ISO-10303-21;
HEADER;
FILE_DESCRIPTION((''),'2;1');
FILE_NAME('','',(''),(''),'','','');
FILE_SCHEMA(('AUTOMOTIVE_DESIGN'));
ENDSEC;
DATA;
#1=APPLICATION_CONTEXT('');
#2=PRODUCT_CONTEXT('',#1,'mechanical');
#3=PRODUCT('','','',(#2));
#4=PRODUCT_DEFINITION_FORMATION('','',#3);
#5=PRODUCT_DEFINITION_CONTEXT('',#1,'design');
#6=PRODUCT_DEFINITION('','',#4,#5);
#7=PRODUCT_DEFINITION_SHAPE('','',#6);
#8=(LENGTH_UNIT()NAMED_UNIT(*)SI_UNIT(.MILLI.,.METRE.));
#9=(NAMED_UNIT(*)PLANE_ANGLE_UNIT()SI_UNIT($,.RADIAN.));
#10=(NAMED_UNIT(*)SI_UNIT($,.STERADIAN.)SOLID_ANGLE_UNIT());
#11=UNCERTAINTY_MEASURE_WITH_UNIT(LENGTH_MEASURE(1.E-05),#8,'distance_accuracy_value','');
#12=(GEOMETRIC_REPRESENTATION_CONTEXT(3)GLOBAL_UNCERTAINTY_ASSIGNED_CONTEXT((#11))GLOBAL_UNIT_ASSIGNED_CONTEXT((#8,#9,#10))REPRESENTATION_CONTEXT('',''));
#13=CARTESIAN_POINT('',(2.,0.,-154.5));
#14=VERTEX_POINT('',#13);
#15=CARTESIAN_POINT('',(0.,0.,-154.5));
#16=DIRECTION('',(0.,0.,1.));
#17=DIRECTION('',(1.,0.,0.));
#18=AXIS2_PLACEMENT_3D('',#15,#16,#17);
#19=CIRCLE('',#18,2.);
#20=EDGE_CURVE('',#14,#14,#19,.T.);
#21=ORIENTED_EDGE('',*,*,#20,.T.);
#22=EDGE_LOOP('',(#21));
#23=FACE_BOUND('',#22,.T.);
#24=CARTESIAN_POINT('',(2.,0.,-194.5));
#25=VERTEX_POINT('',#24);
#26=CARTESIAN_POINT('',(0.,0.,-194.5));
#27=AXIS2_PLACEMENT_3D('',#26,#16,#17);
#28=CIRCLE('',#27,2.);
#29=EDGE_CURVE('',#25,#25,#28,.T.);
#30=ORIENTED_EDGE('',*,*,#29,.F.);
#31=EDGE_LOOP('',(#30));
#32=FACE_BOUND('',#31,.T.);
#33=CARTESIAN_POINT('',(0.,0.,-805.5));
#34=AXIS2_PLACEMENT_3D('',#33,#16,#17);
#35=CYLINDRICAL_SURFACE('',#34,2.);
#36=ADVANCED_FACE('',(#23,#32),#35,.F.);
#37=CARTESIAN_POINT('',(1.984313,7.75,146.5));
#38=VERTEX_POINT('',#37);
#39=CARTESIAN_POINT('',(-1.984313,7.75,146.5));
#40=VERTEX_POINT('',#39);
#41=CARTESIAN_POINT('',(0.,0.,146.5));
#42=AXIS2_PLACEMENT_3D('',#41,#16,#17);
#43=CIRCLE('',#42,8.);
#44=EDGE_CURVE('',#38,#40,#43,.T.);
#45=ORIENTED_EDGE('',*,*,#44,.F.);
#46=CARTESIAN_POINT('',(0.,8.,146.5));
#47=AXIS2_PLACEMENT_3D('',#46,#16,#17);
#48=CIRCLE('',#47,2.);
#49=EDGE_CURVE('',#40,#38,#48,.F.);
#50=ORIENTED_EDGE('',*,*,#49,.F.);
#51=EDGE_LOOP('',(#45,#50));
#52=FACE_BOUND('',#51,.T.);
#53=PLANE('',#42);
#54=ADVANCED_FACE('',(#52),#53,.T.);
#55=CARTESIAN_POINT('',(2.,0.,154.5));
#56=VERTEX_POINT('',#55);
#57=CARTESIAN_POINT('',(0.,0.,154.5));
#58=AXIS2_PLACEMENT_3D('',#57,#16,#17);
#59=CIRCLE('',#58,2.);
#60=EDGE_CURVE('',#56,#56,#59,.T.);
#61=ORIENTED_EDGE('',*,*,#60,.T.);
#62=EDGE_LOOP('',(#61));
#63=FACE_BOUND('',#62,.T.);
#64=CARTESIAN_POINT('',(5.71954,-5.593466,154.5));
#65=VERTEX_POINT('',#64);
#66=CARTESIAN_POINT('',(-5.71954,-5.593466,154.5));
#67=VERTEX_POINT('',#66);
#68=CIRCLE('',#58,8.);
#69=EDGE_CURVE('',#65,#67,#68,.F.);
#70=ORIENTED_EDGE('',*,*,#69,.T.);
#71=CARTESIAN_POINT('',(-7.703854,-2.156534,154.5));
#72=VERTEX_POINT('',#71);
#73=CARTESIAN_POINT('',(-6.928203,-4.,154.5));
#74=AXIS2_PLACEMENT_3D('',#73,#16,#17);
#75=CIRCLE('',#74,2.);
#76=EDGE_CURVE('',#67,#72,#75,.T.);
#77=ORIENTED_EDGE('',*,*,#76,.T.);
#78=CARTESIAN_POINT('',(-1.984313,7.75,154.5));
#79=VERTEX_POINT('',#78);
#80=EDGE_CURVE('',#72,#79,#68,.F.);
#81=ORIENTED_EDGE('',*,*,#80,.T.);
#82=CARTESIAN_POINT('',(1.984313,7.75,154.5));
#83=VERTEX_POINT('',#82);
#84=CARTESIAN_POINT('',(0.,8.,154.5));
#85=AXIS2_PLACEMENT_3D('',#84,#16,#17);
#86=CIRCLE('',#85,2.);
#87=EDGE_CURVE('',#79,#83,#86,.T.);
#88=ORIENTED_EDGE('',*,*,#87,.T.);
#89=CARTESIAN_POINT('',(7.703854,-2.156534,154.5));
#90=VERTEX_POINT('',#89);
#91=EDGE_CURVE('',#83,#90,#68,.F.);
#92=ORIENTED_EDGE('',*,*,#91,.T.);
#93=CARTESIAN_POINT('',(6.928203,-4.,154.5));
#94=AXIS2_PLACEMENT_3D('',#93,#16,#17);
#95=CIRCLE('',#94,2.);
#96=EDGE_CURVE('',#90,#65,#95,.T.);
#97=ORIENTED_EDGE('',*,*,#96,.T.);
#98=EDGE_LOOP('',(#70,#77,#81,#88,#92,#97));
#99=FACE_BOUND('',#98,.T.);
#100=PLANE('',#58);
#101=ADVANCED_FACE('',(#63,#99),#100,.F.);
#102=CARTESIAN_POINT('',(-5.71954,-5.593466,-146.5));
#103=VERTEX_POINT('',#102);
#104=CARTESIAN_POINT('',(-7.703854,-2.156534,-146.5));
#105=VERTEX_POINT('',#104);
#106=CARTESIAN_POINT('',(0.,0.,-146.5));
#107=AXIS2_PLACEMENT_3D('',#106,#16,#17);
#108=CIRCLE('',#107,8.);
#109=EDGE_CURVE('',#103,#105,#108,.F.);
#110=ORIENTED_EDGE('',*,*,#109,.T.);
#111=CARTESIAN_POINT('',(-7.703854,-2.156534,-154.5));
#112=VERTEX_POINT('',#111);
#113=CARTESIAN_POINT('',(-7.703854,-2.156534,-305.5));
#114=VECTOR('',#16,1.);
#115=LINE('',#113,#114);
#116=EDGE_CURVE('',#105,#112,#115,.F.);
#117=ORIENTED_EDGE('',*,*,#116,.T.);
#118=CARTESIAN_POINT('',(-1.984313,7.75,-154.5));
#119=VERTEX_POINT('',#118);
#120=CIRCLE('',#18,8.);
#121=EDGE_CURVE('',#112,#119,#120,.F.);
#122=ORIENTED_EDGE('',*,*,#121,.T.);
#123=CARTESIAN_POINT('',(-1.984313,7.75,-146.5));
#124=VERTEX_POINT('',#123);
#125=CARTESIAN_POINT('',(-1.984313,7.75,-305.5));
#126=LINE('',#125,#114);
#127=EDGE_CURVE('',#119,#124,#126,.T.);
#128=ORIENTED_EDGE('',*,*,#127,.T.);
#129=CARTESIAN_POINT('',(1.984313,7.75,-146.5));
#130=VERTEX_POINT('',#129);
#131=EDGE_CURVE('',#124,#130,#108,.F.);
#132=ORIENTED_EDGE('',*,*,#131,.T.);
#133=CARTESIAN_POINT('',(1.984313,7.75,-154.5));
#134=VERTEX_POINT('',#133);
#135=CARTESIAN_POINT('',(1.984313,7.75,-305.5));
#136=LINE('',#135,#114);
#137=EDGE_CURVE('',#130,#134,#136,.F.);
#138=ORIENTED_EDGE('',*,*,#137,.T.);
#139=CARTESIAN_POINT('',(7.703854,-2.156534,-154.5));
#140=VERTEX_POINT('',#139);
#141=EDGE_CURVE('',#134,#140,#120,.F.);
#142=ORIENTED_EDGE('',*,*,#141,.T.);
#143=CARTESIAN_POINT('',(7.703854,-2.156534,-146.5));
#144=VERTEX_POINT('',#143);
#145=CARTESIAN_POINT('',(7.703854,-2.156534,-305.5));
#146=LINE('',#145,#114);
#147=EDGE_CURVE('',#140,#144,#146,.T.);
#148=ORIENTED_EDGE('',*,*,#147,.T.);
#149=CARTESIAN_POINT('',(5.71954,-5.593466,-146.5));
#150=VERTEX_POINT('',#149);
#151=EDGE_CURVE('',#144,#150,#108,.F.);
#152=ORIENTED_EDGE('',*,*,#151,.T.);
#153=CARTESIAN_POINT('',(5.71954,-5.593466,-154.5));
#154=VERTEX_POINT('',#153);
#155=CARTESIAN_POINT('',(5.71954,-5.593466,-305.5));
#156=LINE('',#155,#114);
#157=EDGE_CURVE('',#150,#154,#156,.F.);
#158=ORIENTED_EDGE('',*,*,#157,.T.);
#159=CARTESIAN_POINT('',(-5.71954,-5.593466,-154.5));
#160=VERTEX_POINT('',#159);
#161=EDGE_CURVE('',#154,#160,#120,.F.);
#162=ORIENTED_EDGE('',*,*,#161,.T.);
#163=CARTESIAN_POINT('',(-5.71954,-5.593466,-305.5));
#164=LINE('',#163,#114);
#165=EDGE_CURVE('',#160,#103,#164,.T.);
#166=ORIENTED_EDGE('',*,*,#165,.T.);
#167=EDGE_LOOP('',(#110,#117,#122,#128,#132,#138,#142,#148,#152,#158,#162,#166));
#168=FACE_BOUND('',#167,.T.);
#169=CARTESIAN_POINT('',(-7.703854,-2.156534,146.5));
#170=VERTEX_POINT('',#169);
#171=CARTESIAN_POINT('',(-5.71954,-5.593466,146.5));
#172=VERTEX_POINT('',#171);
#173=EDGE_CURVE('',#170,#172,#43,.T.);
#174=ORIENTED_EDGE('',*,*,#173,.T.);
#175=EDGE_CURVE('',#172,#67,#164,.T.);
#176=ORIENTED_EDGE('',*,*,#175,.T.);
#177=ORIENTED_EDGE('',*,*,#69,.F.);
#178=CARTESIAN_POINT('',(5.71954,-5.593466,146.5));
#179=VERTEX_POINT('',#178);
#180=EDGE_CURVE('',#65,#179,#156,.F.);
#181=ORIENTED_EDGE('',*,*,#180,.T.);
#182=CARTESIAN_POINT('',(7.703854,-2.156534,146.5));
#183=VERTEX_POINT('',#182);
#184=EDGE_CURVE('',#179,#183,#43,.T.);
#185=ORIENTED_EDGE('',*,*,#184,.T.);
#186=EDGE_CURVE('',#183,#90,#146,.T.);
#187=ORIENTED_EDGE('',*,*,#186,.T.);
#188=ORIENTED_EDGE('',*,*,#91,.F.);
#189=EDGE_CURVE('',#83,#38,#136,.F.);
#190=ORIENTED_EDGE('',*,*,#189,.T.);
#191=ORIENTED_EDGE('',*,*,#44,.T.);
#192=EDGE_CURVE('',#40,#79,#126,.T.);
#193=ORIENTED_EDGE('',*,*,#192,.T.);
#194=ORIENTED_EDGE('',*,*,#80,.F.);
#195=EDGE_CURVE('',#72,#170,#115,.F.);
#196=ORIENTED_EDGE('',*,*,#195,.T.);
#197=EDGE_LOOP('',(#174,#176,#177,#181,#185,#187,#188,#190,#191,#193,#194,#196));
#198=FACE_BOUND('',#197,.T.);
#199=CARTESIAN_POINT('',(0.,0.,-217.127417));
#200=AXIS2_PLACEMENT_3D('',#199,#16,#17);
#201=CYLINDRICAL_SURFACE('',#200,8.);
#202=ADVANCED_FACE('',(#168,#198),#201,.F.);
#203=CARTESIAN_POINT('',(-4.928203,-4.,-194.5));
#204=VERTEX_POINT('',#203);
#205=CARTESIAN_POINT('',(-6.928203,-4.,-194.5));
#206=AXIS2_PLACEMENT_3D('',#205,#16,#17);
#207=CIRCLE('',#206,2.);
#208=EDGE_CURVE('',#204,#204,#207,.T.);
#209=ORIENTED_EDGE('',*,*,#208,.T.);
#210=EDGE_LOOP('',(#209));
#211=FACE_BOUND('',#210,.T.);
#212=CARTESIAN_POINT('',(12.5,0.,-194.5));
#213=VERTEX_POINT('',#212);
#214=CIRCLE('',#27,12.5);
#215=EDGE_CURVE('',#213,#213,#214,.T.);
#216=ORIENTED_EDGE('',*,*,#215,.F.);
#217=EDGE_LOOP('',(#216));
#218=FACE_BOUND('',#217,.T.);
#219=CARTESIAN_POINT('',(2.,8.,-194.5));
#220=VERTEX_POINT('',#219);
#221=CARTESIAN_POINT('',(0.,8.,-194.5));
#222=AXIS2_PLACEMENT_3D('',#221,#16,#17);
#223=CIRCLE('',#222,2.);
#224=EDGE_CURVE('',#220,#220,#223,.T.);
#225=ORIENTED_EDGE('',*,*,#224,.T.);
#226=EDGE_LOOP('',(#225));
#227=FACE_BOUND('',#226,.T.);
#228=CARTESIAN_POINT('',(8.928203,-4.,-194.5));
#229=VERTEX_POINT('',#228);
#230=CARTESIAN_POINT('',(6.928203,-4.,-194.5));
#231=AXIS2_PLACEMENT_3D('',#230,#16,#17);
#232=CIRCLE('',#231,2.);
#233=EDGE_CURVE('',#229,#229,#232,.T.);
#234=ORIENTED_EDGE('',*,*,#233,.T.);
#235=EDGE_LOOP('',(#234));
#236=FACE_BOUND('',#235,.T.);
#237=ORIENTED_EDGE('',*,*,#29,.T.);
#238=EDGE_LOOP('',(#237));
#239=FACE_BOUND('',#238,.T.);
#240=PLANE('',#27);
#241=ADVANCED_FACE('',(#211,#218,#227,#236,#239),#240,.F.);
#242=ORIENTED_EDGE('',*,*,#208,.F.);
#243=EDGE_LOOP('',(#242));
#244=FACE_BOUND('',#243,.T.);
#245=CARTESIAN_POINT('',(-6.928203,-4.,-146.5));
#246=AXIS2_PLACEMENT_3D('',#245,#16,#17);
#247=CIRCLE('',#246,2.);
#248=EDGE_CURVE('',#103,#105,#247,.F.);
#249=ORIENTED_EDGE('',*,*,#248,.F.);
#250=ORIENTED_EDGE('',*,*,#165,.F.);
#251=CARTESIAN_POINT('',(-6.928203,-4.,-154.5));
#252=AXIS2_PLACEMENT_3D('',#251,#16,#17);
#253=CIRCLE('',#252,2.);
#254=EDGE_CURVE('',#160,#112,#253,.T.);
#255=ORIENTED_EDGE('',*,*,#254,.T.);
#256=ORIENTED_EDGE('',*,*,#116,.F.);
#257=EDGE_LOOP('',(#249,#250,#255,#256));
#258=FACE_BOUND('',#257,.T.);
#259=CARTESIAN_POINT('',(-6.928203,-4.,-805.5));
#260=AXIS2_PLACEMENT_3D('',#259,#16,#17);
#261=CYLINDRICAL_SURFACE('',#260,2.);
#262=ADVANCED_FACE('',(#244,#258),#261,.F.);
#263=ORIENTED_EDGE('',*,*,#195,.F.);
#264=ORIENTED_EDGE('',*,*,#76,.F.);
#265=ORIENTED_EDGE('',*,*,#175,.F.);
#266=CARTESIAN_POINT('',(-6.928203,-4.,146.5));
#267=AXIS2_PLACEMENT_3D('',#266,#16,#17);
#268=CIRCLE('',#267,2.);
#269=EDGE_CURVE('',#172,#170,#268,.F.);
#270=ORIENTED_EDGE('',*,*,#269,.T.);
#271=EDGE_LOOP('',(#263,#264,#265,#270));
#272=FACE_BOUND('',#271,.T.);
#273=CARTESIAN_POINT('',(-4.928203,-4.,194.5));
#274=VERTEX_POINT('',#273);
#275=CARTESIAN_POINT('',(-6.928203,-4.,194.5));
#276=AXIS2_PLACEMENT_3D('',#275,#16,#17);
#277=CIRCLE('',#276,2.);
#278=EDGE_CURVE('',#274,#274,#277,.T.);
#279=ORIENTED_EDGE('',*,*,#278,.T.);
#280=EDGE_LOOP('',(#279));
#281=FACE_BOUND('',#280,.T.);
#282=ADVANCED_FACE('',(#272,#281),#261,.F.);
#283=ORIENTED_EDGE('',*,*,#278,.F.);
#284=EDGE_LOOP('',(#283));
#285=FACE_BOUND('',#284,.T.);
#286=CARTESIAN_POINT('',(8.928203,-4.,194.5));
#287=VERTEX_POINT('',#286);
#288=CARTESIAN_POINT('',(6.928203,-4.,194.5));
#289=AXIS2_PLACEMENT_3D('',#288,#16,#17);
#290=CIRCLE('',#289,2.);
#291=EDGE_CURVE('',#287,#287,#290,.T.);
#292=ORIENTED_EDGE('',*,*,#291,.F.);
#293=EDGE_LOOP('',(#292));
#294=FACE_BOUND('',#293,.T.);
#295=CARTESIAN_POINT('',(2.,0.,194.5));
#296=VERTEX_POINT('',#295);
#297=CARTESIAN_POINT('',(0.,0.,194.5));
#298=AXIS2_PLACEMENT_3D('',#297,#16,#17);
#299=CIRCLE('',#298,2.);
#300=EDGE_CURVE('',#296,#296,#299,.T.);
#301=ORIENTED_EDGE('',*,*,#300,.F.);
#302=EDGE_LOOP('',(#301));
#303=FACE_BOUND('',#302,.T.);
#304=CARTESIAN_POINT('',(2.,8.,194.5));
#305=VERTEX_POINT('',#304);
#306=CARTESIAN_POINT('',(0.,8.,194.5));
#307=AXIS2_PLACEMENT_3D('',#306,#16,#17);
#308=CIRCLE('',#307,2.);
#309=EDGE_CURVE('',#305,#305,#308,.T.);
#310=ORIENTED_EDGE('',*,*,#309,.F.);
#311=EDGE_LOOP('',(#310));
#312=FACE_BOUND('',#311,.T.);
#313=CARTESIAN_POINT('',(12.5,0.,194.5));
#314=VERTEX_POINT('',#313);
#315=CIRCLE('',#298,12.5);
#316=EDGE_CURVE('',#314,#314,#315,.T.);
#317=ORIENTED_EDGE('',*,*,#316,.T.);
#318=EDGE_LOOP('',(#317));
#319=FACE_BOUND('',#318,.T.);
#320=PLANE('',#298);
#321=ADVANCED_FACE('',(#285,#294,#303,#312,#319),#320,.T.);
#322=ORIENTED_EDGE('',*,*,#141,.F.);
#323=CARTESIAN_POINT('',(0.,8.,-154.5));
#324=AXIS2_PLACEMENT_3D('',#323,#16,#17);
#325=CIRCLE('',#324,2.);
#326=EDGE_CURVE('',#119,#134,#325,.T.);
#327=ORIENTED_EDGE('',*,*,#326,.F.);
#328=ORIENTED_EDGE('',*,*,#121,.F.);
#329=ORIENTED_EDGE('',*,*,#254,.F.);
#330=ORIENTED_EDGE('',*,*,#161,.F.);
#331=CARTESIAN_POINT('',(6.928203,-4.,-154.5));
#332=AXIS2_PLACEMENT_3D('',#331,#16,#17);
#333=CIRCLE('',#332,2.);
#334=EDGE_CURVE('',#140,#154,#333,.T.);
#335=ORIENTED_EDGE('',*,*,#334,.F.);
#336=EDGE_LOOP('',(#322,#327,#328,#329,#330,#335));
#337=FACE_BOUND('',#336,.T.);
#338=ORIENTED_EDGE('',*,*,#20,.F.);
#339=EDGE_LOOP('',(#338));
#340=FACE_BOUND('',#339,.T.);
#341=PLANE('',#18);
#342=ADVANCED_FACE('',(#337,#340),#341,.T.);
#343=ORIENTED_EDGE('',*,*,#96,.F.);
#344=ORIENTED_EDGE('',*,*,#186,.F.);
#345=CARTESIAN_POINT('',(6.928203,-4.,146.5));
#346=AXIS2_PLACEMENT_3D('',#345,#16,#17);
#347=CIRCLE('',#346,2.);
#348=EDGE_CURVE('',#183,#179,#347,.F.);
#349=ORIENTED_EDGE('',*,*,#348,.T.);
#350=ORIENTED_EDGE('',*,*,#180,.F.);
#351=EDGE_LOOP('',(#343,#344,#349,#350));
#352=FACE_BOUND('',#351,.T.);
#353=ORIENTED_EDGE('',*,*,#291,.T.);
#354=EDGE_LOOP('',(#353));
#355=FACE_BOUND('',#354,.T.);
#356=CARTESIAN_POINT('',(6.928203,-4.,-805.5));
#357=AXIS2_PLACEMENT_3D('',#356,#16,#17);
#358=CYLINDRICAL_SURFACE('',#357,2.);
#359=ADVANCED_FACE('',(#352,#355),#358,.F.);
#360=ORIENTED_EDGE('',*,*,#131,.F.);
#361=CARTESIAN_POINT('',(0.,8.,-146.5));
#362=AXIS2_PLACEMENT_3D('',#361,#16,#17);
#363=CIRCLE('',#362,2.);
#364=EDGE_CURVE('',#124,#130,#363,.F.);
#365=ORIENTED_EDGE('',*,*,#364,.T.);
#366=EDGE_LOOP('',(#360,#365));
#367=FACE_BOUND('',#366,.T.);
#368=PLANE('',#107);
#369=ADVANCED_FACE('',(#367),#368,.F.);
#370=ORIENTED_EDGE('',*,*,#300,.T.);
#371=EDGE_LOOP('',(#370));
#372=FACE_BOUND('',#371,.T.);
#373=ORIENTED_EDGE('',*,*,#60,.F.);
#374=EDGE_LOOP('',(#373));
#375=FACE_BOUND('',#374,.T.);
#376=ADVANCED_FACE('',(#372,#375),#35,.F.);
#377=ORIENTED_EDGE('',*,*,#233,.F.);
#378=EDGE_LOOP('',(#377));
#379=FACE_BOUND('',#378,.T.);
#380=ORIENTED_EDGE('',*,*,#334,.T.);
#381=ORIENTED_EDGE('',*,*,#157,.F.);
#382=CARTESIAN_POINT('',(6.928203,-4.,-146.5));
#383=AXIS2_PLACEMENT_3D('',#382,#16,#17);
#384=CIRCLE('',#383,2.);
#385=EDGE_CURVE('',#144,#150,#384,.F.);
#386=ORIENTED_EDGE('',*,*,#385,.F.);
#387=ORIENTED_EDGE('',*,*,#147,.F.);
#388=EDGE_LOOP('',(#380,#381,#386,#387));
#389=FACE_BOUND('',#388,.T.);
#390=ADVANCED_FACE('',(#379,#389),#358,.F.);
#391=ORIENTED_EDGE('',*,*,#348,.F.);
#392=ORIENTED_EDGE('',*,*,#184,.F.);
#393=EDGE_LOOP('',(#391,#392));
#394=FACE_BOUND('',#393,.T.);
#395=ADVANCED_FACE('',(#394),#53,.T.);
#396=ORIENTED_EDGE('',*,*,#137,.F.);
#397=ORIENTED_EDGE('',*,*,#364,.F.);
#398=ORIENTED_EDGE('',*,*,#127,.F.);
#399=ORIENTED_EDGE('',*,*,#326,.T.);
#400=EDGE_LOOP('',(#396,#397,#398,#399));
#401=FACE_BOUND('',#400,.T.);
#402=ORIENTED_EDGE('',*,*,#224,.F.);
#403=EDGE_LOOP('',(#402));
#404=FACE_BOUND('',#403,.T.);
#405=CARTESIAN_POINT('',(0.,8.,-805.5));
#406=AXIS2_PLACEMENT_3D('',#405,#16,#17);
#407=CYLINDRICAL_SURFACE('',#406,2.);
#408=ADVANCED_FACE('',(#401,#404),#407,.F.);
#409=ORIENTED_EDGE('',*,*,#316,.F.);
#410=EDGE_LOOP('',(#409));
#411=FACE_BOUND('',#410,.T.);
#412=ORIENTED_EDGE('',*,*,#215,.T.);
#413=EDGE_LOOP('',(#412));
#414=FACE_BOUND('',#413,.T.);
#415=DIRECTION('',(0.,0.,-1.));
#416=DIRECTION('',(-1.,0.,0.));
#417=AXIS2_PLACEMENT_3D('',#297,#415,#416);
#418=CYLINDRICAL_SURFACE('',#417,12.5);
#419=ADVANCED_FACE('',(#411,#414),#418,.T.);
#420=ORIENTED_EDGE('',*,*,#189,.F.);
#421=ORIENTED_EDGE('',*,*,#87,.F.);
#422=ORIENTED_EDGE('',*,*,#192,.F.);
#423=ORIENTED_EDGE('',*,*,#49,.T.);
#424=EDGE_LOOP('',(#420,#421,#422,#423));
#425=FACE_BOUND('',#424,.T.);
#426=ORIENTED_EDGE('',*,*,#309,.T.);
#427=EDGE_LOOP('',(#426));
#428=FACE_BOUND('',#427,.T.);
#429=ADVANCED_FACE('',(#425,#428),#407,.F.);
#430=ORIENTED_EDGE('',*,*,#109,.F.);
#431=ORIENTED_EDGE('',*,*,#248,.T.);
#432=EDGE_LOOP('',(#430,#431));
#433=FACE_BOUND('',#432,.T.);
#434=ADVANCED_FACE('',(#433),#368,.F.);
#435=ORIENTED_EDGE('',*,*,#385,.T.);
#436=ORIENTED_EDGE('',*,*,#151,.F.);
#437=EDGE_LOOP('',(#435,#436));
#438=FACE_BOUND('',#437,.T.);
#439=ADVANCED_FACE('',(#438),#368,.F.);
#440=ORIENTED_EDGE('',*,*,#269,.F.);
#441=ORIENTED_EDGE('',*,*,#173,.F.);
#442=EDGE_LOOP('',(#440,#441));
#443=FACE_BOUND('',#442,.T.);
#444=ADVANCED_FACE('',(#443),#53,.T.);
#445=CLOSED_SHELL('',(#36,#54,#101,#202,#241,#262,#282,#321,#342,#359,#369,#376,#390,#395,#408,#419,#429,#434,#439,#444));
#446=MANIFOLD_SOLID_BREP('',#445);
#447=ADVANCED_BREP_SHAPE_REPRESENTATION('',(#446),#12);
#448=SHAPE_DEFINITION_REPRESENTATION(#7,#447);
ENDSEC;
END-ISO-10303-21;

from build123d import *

# Parameters (mm, degrees)
SKETCH_1_R          = 12.5
EXTRUDE_1_DEPTH     = 194.5
SKETCH_2_R          = 8
CUT_EXTRUDE_1_DEPTH = 349
SKETCH_3_R          = 10
EXTRUDE_2_DEPTH     = 40
SKETCH_4_R          = 2
CUT_EXTRUDE_2_DEPTH = 1000
SKETCH_5_R          = 12.5
SKETCH_5_R_2        = 8
EXTRUDE_4_DEPTH     = 146.5
EXTRUDE_START       = 146.5
SKETCH_7_R          = 11.680413058
SKETCH_7_R_2        = 8
EXTRUDE_7_DEPTH     = 146.5


with BuildPart() as part:
    # 草图1 → 凸台-拉伸1 (new, symmetric)
    with BuildSketch(Plane.XY):
        Circle(SKETCH_1_R)
    extrude(amount=EXTRUDE_1_DEPTH, both=True)

    # 草图2 → 切除-拉伸1 (cut)
    with BuildSketch(Plane.XY.offset(194.5)):
        Circle(SKETCH_2_R)
    extrude(amount=-CUT_EXTRUDE_1_DEPTH, mode=Mode.SUBTRACT)

    # 草图3 → 凸台-拉伸2 (add)
    with BuildSketch(Plane.XY.offset(194.5)):
        Circle(SKETCH_3_R)
    extrude(amount=-EXTRUDE_2_DEPTH)

    # 草图4 → 切除-拉伸2 (cut)
    with BuildSketch(Plane.XY.offset(194.5)):
        with Locations((0, 8)):
            Circle(SKETCH_4_R)
        with Locations((-6.92820323, -4)):
            Circle(SKETCH_4_R)
        with Locations((6.92820323, -4)):
            Circle(SKETCH_4_R)
        Circle(SKETCH_4_R)
    extrude(amount=-CUT_EXTRUDE_2_DEPTH, mode=Mode.SUBTRACT)

    # 草图5 → 凸台-拉伸4 (add)
    with BuildSketch(Plane.XY):
        Circle(SKETCH_5_R)
        with Locations(Location((0, 0, 0), (0, 0, 344.361511563))):
            Circle(SKETCH_5_R_2, mode=Mode.SUBTRACT)
    extrude(amount=-EXTRUDE_4_DEPTH)

    # 草图7 → 凸台-拉伸7 (add)
    with BuildSketch(Plane.XY.offset(EXTRUDE_START)):
        Circle(SKETCH_7_R)
        with Locations(Location((0, 0, 0), (0, 0, 344.361511563))):
            Circle(SKETCH_7_R_2, mode=Mode.SUBTRACT)
    extrude(amount=-EXTRUDE_7_DEPTH)


solid = part.part
